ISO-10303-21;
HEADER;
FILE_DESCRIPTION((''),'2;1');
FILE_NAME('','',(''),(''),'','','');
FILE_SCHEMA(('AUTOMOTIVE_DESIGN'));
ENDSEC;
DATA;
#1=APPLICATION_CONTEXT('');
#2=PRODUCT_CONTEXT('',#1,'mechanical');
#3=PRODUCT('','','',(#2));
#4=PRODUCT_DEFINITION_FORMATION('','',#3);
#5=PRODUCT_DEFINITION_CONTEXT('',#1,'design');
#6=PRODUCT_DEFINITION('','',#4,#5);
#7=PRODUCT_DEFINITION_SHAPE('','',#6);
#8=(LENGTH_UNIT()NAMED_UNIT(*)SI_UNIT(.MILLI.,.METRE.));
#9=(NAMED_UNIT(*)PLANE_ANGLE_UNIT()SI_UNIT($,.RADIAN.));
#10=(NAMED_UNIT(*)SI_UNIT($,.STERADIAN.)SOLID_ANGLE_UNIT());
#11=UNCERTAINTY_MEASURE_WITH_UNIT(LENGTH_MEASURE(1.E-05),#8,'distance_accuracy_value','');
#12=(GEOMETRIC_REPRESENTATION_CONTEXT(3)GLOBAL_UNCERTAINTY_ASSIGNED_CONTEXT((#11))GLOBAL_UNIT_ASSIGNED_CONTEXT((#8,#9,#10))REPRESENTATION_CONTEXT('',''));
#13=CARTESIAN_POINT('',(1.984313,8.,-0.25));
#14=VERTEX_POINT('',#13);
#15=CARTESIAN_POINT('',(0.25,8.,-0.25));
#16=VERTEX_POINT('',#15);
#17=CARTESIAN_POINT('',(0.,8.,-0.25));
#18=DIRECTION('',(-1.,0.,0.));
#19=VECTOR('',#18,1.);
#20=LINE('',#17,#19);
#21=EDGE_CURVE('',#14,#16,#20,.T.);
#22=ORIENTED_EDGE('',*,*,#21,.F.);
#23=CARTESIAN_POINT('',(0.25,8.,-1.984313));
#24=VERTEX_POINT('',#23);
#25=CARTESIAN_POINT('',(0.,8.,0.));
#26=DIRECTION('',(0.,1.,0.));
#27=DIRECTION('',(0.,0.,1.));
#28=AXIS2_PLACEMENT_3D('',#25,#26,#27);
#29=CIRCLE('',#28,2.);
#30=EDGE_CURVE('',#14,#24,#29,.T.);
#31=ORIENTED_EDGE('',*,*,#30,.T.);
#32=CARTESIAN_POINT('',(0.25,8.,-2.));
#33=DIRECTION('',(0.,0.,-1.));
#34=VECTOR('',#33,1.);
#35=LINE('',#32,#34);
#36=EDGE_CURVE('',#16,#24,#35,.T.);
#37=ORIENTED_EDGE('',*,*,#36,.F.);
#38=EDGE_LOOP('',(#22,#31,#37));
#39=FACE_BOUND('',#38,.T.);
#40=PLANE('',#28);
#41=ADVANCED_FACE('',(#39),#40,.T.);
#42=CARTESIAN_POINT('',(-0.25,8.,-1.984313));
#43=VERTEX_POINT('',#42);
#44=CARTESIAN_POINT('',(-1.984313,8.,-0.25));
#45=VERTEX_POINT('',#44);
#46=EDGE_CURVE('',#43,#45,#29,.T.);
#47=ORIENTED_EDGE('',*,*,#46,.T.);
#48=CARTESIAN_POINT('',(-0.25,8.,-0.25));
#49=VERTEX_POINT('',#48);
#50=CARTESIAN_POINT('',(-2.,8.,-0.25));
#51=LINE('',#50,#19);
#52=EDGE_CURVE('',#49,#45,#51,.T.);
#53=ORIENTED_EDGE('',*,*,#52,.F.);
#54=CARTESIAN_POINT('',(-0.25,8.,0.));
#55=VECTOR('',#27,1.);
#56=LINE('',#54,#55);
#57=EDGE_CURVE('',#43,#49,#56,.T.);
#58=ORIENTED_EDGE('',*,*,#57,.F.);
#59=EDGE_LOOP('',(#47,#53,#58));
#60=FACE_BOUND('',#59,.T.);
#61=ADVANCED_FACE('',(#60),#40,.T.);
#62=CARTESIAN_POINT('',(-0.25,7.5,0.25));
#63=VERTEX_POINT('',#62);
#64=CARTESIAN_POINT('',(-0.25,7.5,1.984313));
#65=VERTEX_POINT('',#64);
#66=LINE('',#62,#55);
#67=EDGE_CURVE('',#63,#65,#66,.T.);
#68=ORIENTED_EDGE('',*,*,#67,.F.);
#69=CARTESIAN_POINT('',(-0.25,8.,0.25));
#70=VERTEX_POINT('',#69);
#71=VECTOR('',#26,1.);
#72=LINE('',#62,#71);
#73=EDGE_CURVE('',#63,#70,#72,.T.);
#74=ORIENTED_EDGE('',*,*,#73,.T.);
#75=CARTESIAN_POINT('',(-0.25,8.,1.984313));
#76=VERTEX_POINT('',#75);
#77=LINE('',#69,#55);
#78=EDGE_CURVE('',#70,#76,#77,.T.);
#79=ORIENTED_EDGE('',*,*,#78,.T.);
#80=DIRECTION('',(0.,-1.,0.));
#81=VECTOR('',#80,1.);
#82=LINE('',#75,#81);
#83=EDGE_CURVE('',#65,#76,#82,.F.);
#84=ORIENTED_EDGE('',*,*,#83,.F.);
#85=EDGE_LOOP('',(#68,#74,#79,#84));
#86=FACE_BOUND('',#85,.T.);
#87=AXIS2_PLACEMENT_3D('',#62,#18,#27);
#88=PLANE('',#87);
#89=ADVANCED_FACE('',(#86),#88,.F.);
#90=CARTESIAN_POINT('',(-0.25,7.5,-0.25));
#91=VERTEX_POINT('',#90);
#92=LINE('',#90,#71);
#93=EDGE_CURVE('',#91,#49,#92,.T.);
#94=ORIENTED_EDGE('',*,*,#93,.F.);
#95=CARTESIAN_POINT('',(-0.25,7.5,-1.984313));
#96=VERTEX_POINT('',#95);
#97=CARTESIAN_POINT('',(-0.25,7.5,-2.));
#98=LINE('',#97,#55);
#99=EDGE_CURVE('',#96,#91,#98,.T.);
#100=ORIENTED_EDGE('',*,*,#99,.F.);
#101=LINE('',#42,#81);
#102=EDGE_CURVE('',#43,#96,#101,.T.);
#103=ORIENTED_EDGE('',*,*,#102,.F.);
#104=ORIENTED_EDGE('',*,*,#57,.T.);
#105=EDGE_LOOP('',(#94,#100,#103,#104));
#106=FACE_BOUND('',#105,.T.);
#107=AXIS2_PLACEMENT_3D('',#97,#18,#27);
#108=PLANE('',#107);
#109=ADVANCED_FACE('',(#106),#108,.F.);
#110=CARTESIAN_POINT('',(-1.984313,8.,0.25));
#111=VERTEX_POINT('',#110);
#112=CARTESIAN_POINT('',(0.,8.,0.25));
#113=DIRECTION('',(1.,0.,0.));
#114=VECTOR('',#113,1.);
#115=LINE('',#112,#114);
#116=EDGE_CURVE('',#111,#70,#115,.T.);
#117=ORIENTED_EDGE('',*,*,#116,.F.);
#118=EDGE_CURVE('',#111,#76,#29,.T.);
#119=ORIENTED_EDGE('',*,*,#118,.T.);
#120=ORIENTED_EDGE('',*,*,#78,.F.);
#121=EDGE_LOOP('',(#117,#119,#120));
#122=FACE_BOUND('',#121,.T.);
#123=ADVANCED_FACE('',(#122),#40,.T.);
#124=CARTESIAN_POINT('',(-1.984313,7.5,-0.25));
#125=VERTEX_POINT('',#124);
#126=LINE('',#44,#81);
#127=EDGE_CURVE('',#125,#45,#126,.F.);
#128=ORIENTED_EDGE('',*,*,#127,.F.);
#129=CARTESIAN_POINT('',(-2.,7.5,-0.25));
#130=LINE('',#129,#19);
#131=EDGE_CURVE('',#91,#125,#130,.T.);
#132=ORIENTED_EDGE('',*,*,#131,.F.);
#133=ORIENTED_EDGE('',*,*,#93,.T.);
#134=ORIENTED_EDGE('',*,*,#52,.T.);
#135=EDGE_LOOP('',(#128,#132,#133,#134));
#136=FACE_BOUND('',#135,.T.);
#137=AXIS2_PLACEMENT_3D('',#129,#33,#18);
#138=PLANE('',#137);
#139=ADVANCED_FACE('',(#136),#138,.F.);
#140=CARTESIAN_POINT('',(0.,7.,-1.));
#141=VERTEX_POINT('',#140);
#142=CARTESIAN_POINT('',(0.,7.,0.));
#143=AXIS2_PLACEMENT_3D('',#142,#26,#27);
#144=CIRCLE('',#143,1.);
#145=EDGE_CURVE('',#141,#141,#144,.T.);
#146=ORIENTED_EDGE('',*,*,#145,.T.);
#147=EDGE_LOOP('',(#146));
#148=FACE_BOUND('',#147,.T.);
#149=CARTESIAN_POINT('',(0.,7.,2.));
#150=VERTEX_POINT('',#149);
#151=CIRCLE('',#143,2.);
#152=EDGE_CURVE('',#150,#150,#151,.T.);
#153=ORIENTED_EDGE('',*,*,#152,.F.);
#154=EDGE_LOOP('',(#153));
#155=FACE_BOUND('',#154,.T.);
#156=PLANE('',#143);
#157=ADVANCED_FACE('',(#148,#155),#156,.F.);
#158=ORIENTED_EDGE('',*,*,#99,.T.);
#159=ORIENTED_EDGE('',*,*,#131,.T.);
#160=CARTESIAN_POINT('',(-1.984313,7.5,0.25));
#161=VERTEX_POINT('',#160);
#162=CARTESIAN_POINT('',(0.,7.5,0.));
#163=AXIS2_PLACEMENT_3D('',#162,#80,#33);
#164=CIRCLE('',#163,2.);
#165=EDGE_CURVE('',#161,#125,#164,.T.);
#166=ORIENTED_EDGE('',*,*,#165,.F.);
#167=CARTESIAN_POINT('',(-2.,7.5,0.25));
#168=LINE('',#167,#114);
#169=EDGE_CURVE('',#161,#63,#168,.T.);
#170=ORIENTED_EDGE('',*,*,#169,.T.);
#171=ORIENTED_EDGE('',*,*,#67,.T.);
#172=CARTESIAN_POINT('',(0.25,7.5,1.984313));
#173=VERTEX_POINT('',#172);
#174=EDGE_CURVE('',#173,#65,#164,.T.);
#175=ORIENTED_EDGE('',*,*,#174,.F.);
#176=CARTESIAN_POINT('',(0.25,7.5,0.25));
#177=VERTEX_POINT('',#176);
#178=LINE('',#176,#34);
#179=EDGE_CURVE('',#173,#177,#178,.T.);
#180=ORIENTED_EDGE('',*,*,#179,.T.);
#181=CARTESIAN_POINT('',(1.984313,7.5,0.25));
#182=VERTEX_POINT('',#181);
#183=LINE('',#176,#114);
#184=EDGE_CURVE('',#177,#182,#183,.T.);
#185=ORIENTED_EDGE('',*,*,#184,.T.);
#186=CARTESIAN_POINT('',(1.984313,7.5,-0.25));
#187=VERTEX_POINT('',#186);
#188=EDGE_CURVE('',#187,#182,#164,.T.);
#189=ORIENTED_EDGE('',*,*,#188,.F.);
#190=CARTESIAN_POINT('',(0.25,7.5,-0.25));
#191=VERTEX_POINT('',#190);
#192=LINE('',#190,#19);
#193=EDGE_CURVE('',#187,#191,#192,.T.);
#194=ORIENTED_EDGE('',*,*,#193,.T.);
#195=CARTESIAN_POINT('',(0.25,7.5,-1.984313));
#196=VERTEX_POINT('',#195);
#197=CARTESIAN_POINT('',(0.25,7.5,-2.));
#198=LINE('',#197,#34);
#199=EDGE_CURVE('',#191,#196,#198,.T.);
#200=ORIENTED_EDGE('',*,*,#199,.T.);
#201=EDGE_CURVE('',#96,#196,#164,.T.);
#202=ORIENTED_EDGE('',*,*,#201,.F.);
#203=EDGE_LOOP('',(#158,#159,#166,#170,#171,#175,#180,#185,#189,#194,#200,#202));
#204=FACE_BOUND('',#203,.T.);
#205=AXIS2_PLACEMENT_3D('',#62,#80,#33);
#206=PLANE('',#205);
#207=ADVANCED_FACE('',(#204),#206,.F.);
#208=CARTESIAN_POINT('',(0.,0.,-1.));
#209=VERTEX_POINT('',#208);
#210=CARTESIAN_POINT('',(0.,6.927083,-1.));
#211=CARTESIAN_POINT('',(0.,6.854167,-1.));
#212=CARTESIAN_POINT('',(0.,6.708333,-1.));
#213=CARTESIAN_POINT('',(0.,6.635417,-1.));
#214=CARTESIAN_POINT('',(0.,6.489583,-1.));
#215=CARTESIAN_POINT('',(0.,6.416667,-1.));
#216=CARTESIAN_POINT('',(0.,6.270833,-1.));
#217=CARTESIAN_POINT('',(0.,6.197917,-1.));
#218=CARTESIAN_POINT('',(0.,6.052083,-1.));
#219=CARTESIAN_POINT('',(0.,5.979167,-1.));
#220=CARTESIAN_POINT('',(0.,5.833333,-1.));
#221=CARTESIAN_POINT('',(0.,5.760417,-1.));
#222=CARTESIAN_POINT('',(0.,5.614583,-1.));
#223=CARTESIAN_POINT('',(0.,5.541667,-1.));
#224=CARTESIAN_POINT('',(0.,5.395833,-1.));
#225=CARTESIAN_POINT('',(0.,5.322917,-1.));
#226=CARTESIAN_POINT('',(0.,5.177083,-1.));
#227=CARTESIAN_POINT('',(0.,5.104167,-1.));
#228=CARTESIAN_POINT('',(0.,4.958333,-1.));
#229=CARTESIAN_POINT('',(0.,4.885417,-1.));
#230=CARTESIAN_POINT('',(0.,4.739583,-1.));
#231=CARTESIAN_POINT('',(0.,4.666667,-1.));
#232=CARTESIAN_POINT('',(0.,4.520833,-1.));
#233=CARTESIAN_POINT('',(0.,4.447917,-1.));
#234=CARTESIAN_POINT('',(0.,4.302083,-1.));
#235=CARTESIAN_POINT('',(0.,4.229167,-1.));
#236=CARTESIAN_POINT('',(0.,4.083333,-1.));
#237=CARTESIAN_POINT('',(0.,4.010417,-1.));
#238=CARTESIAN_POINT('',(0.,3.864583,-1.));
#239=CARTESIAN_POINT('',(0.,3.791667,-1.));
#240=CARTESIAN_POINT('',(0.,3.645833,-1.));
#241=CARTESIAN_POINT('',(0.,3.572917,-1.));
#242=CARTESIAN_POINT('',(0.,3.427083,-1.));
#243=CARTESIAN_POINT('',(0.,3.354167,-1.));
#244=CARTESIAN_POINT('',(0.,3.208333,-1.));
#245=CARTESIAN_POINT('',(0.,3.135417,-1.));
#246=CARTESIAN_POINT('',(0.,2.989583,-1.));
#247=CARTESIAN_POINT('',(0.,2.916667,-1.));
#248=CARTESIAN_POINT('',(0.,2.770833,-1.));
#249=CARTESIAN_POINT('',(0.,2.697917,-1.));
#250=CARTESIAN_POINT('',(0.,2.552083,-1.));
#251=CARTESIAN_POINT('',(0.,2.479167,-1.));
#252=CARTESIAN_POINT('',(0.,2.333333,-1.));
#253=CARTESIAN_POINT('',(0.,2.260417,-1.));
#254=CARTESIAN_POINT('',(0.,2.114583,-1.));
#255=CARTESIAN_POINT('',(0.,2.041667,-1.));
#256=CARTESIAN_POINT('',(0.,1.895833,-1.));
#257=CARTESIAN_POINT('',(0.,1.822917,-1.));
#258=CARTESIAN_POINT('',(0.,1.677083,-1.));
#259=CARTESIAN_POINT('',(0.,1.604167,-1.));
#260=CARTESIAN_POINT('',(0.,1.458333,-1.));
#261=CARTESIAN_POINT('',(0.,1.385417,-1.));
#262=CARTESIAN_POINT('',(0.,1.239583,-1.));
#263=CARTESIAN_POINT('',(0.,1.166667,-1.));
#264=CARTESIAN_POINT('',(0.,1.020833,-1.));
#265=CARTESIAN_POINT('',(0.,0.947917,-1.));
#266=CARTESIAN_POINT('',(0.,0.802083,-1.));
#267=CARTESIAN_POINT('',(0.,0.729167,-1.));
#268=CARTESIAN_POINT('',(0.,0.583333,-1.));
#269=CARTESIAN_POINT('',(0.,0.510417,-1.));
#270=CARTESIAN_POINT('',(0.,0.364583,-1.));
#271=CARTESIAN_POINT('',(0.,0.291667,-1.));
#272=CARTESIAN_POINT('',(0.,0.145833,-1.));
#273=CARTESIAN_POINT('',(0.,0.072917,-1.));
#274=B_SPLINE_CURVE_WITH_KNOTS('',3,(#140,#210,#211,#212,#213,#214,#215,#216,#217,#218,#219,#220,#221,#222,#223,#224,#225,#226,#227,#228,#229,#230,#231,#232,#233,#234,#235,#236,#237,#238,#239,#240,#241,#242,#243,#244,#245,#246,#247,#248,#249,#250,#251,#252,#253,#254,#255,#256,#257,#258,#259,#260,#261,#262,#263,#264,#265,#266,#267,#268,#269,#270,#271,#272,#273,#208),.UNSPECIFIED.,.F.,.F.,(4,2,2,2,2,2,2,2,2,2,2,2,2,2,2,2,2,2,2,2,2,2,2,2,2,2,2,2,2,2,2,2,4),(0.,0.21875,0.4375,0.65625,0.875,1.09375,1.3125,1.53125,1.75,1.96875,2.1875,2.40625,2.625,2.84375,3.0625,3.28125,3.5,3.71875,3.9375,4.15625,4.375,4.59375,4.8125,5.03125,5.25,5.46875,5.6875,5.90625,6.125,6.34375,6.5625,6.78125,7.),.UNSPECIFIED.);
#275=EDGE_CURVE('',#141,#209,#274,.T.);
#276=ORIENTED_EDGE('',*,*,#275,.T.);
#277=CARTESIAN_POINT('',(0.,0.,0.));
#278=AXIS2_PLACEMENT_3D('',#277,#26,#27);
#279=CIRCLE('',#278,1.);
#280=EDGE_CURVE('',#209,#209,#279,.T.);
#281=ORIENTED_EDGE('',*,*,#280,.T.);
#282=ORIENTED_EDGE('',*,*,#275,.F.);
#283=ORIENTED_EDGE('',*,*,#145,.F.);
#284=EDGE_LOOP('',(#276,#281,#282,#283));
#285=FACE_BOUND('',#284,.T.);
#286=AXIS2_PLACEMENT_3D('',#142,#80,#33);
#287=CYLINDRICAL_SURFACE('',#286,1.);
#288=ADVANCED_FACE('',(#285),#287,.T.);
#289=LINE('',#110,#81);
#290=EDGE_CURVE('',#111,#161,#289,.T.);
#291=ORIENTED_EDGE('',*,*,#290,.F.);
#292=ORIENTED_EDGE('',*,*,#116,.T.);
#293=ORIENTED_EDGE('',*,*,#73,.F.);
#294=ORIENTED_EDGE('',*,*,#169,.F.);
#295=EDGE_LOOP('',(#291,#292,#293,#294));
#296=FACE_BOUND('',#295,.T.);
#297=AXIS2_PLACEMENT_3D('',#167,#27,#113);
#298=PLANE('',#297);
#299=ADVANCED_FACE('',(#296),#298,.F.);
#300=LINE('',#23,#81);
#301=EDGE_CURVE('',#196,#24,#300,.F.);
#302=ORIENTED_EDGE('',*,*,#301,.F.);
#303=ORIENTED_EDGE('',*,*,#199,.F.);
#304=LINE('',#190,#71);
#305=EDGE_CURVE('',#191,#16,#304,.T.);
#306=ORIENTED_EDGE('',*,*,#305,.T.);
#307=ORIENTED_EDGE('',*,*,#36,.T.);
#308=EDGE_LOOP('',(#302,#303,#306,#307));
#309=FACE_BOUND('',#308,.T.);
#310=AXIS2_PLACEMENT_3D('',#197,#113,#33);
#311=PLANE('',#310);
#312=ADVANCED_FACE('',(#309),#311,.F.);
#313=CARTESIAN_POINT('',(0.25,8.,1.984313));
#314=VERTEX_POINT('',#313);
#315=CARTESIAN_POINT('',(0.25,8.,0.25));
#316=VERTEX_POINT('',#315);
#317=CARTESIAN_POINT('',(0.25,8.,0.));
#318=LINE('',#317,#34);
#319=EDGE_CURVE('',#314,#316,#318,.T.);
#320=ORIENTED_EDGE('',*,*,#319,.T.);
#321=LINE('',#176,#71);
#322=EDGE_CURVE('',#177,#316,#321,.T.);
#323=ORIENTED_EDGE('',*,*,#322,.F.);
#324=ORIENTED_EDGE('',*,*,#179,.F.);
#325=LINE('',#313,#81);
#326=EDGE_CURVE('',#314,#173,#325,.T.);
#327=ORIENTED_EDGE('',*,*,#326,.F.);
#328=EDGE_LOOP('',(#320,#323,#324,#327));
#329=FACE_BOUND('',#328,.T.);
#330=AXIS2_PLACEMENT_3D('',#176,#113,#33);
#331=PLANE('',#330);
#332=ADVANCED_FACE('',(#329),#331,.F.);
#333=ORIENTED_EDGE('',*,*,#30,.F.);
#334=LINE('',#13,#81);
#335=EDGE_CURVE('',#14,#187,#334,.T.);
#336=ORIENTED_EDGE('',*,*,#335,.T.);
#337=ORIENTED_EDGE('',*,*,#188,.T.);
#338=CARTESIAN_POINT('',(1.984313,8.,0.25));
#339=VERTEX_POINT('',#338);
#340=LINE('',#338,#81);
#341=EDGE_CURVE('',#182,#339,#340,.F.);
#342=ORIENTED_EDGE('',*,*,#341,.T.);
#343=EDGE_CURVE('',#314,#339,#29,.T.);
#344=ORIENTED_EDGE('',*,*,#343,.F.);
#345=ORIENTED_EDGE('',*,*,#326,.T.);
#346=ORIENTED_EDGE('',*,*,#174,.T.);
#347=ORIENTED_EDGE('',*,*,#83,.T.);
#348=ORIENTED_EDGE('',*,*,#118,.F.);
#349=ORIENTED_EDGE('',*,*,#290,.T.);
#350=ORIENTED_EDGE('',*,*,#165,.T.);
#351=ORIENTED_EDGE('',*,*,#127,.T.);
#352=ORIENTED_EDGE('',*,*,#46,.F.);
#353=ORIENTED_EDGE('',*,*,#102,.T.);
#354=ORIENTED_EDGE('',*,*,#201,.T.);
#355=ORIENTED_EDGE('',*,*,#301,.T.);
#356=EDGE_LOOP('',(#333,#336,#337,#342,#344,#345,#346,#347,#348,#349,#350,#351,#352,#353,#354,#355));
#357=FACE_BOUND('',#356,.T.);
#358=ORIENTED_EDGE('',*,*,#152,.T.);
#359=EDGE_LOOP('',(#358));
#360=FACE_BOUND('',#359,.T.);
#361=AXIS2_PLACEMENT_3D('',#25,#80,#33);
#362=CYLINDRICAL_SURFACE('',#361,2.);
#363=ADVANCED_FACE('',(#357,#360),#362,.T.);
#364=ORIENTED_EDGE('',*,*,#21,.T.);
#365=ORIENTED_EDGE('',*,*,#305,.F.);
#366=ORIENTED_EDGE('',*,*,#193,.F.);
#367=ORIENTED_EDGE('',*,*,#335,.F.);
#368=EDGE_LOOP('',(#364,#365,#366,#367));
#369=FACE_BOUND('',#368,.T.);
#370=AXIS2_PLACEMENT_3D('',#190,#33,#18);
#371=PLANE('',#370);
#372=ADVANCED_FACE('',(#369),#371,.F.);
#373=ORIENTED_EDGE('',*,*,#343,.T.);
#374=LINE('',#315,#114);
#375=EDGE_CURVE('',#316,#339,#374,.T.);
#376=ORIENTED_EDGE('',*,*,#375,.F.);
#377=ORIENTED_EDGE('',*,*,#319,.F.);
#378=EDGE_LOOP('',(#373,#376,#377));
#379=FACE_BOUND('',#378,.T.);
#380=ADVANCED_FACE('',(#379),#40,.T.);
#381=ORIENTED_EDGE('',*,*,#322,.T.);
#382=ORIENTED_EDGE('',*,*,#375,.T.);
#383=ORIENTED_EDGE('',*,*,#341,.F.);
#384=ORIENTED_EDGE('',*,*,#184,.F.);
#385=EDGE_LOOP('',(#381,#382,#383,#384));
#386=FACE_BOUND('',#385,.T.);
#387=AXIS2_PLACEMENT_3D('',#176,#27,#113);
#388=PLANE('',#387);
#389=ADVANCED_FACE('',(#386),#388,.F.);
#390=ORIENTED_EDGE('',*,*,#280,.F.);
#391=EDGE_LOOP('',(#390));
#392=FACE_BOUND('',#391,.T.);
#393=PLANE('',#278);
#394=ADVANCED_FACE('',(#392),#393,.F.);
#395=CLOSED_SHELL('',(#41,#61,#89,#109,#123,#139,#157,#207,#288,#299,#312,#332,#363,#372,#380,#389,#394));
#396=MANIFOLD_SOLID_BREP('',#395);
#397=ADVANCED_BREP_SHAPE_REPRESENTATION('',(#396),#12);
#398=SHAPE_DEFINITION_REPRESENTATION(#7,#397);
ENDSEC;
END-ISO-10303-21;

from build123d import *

# Parameters (mm, degrees)
SKETCH1_R           = 1
BOSS_EXTRUDE1_DEPTH = 7
SKETCH2_R           = 2
BOSS_EXTRUDE2_DEPTH = 1
CUT_EXTRUDE1_DEPTH  = 0.5


with BuildPart() as part:
    # Sketch1 → Boss-Extrude1 (new body)
    with BuildSketch(Plane(origin=(0, 0, 0), x_dir=(1, 0, 0), z_dir=(0, 1, 0))):
        with Locations(Location((0, 0, 0), (0, 0, 90))):
            Circle(SKETCH1_R)
    extrude(amount=BOSS_EXTRUDE1_DEPTH)

    # Sketch2 → Boss-Extrude2 (add)
    with BuildSketch(Plane(origin=(0, 7, 0), x_dir=(1, 0, 0), z_dir=(0, 1, 0))):
        with Locations(Location((0, 0, 0), (0, 0, 270))):
            Circle(SKETCH2_R)
    extrude(amount=BOSS_EXTRUDE2_DEPTH)

    # Sketch3 → Cut-Extrude1 (cut)
    with BuildSketch(Plane(origin=(0, 8, 0), x_dir=(1, 0, 0), z_dir=(0, 1, 0))):
        Polygon((-2, 0.25), (-2, -0.25), (-0.25, -0.25), (-0.25, -2), (0.25, -2), (0.25, -0.25), (2, -0.25), (2, 0.25), (0.25, 0.25), (0.25, 2), (-0.25, 2), (-0.25, 0.25), align=None)
    extrude(amount=-CUT_EXTRUDE1_DEPTH, mode=Mode.SUBTRACT)


solid = part.part
